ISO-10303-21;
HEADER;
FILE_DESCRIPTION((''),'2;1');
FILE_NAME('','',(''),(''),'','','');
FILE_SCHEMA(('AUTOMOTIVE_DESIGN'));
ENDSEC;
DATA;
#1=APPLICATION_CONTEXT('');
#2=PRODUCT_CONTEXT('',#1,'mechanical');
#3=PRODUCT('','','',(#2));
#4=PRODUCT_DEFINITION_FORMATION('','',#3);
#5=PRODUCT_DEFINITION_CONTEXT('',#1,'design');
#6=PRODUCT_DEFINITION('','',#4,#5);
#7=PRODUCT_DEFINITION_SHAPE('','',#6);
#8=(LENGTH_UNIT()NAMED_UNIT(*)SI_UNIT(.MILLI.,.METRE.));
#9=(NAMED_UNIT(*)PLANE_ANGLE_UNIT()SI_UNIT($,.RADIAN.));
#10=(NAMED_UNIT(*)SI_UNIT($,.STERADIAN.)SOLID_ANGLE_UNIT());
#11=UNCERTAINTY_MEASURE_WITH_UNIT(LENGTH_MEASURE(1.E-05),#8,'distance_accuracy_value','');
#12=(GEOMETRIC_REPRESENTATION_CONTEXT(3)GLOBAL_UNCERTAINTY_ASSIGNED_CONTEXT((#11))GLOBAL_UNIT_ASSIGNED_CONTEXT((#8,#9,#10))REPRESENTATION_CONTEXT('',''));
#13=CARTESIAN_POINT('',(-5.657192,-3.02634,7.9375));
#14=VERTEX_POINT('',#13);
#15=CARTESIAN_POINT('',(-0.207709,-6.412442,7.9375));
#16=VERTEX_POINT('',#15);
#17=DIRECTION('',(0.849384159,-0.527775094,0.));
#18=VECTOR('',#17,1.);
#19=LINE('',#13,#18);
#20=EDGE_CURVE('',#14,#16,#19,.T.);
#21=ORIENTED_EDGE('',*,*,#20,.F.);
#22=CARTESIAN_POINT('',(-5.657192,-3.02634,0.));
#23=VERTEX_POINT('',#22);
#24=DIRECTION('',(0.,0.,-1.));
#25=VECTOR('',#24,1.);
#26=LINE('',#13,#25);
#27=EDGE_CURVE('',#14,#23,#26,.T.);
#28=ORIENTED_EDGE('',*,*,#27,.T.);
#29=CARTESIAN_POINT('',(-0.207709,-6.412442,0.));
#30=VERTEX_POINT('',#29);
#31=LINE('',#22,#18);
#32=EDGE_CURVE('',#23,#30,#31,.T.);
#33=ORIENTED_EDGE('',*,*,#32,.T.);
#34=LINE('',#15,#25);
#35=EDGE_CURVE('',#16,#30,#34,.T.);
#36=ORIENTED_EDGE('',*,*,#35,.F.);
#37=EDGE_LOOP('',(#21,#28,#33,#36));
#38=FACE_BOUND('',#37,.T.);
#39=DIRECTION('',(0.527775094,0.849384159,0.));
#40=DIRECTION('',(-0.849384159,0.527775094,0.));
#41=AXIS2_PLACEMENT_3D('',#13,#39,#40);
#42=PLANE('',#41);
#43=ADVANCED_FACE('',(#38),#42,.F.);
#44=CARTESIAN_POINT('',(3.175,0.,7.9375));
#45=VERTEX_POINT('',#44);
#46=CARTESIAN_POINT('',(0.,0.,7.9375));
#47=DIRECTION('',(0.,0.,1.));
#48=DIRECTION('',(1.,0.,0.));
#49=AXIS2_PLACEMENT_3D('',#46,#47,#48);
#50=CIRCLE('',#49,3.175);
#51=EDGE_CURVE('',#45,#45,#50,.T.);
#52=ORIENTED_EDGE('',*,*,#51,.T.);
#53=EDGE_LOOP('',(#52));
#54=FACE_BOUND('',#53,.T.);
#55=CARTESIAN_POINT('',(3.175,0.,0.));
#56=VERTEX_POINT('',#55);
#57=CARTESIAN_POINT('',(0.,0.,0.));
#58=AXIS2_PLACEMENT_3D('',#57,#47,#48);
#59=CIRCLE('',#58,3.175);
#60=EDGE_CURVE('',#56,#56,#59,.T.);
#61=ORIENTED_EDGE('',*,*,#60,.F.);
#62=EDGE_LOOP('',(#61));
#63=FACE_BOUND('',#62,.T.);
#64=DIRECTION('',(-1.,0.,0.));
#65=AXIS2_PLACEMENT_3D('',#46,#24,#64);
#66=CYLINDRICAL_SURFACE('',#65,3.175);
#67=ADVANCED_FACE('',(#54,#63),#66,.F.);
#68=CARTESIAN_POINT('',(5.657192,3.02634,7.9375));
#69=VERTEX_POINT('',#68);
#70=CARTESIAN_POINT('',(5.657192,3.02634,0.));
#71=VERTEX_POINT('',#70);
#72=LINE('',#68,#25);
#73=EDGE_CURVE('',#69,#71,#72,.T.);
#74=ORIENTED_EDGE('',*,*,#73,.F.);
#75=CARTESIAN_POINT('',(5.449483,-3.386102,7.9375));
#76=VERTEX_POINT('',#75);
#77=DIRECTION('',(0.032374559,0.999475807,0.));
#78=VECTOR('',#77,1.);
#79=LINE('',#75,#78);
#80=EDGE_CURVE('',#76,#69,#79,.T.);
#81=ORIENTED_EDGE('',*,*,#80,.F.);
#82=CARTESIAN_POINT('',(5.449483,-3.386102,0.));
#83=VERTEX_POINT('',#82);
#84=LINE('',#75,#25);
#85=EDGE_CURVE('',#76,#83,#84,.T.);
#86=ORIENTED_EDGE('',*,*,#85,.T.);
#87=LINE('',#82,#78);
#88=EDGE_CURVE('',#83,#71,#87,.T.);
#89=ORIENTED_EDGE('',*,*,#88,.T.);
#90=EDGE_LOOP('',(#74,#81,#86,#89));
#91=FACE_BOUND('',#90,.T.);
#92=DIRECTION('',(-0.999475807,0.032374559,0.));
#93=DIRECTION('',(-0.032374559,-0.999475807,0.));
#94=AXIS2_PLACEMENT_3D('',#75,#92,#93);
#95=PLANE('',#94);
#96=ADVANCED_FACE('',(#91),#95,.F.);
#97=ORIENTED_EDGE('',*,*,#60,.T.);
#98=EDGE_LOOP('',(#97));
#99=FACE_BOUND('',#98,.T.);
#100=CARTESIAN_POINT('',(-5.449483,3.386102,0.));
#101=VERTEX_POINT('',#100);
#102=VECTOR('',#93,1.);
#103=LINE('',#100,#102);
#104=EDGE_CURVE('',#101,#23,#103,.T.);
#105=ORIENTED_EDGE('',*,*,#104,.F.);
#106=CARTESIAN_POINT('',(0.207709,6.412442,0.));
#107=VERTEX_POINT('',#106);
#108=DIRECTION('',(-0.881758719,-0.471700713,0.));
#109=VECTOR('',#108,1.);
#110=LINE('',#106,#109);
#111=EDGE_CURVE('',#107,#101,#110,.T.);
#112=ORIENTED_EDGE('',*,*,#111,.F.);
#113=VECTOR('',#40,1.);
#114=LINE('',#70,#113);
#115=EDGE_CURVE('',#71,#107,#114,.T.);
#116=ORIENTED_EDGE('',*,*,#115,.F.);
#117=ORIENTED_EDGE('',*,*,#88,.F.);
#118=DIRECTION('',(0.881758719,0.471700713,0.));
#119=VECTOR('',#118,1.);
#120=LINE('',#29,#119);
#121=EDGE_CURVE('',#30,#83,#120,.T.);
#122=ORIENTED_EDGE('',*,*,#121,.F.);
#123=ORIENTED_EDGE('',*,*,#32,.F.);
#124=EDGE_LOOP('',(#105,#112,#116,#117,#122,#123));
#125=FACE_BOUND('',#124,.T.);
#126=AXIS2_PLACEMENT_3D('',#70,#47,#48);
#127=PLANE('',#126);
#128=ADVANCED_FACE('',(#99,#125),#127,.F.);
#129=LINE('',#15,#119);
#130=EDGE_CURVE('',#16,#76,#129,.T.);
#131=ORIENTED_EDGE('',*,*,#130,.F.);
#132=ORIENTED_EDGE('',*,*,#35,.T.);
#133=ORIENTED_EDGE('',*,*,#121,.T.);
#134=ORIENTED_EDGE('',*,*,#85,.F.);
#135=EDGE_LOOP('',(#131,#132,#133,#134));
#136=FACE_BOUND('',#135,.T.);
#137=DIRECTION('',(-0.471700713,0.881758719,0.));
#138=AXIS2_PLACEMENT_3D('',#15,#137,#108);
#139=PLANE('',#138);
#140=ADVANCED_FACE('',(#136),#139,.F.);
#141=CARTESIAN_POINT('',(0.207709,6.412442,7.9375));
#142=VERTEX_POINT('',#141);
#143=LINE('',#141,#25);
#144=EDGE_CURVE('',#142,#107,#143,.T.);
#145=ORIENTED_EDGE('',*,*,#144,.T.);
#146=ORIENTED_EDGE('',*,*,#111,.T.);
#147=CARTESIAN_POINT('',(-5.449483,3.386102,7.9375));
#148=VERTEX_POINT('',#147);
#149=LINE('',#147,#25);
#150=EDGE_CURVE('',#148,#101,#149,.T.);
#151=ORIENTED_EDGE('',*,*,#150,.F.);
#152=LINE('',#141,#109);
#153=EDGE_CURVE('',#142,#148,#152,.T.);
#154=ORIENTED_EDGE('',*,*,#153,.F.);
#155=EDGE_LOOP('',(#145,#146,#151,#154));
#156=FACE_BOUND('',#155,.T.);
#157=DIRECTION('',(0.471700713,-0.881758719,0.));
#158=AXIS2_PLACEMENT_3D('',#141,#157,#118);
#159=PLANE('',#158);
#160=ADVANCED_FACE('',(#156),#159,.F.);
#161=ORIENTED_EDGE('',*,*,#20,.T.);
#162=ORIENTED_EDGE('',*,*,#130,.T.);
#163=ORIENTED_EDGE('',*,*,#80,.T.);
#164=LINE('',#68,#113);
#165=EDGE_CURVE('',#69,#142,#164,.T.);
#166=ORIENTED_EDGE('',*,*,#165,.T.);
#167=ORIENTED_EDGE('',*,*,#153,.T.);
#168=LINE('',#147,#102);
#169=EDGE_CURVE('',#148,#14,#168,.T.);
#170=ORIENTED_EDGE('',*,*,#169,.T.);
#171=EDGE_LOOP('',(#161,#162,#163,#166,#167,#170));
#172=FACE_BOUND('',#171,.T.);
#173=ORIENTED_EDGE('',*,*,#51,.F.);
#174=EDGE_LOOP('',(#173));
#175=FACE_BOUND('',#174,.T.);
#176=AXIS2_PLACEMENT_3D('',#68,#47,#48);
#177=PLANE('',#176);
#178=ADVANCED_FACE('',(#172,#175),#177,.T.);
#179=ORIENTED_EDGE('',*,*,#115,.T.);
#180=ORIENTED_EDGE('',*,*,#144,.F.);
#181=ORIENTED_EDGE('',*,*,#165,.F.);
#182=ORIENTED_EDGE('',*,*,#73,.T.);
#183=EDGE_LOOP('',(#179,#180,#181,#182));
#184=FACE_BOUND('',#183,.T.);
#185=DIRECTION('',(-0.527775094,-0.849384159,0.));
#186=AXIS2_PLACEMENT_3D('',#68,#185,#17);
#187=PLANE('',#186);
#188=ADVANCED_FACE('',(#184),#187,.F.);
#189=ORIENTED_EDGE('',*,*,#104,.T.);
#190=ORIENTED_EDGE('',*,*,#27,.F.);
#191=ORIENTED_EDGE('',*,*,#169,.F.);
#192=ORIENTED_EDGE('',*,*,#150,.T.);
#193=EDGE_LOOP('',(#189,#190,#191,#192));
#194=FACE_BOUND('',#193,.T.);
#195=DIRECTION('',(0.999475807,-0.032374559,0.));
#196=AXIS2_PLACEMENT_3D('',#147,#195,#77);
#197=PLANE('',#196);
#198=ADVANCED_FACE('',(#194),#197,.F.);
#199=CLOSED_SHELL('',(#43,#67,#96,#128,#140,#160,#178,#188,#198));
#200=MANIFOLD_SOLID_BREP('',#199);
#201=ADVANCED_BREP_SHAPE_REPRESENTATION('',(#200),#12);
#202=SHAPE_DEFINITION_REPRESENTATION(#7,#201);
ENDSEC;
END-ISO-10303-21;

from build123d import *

# Parameters (mm, degrees)
SKETCH1_R      = 3.175
EXTRUDE1_DEPTH = 7.9375


with BuildPart() as part:
    # Sketch1 → Extrude1 (new body)
    with BuildSketch(Plane.XY):
        Polygon((5.657191877, 3.026339728), (0.207708854, 6.412441744), (-5.449483023, 3.386102016), (-5.657191877, -3.026339728), (-0.207708854, -6.412441744), (5.449483023, -3.386102016), align=None)
        Circle(SKETCH1_R, mode=Mode.SUBTRACT)
    extrude(amount=EXTRUDE1_DEPTH)


solid = part.part
